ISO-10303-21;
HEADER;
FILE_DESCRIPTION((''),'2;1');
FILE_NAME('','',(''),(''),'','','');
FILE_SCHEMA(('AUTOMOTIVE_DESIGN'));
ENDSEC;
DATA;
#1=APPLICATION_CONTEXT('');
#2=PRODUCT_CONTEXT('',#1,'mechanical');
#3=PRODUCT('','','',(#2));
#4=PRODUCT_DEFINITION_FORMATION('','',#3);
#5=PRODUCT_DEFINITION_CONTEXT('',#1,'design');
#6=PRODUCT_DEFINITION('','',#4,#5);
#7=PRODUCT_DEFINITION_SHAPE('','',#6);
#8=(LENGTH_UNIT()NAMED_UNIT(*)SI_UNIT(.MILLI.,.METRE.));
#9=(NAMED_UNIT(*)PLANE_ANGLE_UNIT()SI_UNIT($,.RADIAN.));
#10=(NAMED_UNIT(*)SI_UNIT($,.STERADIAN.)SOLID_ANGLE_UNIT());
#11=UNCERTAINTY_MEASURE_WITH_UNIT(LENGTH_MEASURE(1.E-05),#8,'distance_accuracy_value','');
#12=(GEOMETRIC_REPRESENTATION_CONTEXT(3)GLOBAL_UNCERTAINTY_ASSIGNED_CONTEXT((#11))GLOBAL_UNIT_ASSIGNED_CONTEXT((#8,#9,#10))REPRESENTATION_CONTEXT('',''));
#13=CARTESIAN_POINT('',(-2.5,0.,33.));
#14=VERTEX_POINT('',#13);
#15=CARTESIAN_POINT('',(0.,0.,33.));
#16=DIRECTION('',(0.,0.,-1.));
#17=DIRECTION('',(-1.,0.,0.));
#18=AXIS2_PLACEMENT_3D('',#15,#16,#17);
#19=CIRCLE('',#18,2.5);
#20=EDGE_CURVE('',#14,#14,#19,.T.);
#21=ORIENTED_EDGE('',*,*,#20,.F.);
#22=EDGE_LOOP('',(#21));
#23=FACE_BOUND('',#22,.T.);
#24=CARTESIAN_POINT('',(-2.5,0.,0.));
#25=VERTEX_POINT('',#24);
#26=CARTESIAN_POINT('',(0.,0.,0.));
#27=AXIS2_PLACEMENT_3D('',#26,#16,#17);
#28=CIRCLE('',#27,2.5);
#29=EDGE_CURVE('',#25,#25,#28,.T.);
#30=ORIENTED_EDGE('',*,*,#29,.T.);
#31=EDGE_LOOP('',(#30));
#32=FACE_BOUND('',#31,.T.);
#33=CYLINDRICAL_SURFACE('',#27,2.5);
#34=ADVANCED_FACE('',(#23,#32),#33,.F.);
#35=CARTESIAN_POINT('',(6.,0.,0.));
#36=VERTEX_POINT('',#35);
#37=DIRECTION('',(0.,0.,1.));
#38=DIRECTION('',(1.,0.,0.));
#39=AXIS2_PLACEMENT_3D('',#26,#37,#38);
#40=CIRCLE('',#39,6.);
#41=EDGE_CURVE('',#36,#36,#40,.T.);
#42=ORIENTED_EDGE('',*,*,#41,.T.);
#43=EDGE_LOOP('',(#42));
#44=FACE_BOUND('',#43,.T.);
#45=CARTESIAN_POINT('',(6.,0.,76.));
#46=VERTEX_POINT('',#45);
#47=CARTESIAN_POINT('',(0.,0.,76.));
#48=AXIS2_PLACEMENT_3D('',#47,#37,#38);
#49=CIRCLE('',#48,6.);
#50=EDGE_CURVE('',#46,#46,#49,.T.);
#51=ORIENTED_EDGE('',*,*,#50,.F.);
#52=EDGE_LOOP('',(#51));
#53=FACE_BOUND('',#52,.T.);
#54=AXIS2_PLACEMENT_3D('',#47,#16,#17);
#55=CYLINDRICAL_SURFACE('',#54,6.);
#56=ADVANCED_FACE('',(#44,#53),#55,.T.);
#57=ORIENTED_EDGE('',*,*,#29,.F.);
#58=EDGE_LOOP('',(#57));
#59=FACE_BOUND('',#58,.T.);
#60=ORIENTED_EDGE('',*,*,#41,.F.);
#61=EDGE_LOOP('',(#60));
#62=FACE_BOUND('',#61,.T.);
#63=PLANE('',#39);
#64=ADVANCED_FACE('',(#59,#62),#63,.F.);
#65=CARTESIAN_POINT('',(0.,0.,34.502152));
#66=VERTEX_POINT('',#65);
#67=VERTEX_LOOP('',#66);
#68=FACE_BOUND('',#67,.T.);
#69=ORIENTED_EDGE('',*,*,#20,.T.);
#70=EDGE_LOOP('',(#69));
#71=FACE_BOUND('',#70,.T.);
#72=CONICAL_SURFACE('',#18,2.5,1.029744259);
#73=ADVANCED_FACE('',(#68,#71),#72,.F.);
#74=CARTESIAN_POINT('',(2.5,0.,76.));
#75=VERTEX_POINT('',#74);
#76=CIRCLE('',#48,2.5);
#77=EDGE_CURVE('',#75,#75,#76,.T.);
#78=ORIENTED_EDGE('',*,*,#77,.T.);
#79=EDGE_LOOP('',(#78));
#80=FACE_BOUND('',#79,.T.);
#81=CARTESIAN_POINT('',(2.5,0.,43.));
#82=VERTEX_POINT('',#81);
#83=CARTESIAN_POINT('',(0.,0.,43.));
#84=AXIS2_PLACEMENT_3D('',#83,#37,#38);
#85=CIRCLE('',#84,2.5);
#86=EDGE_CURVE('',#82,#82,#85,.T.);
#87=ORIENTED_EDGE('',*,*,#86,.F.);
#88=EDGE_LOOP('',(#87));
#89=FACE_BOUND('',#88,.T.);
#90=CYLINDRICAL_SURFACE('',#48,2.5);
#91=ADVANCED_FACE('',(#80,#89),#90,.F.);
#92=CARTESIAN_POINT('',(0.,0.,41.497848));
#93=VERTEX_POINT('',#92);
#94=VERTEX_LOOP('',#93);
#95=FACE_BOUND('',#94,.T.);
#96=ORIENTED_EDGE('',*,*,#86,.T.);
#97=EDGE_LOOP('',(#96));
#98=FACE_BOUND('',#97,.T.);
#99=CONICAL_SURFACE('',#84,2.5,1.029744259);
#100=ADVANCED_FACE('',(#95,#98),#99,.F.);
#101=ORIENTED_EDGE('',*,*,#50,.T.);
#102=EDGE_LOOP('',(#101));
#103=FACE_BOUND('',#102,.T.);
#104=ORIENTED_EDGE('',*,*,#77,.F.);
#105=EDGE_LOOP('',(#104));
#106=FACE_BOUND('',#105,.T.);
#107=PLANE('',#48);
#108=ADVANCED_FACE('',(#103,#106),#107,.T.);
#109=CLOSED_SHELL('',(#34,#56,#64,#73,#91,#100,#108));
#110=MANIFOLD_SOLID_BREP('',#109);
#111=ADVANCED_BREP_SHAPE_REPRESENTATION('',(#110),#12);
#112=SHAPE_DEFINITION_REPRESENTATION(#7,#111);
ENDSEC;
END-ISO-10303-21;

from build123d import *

# Parameters (mm, degrees)
SKETCH_1_R             = 6
EXTRUDE_1_DEPTH        = 76
HOLE_WIZARD_M6_1_D     = 5
HOLE_WIZARD_M6_1_DEPTH = 33
HOLE_WIZARD_M6_1_TIP   = 1.502151548
HOLE_WIZARD_M6_2_D     = 5
HOLE_WIZARD_M6_2_DEPTH = 33
HOLE_WIZARD_M6_2_TIP   = 1.502151548


with BuildPart() as part:
    # 草图1 → 凸台-拉伸1 (new body)
    with BuildSketch(Plane.XY):
        Circle(SKETCH_1_R)
    extrude(amount=EXTRUDE_1_DEPTH)

    # M6 螺纹孔1
    with Locations(Plane.XY.offset(76)):
        with Locations((0, 0)):
            Hole(HOLE_WIZARD_M6_1_D / 2, depth=HOLE_WIZARD_M6_1_DEPTH)
            with Locations((0, 0, -(HOLE_WIZARD_M6_1_DEPTH + HOLE_WIZARD_M6_1_TIP / 2))):  # 118° drill point
                Cone(0, HOLE_WIZARD_M6_1_D / 2, HOLE_WIZARD_M6_1_TIP, mode=Mode.SUBTRACT)

    # M6 螺纹孔2
    with Locations(Plane(origin=(0, 0, 0), x_dir=(-1, 0, 0), z_dir=(0, 0, -1))):
        with Locations((0, 0)):
            Hole(HOLE_WIZARD_M6_2_D / 2, depth=HOLE_WIZARD_M6_2_DEPTH)
            with Locations((0, 0, -(HOLE_WIZARD_M6_2_DEPTH + HOLE_WIZARD_M6_2_TIP / 2))):  # 118° drill point
                Cone(0, HOLE_WIZARD_M6_2_D / 2, HOLE_WIZARD_M6_2_TIP, mode=Mode.SUBTRACT)


solid = part.part
